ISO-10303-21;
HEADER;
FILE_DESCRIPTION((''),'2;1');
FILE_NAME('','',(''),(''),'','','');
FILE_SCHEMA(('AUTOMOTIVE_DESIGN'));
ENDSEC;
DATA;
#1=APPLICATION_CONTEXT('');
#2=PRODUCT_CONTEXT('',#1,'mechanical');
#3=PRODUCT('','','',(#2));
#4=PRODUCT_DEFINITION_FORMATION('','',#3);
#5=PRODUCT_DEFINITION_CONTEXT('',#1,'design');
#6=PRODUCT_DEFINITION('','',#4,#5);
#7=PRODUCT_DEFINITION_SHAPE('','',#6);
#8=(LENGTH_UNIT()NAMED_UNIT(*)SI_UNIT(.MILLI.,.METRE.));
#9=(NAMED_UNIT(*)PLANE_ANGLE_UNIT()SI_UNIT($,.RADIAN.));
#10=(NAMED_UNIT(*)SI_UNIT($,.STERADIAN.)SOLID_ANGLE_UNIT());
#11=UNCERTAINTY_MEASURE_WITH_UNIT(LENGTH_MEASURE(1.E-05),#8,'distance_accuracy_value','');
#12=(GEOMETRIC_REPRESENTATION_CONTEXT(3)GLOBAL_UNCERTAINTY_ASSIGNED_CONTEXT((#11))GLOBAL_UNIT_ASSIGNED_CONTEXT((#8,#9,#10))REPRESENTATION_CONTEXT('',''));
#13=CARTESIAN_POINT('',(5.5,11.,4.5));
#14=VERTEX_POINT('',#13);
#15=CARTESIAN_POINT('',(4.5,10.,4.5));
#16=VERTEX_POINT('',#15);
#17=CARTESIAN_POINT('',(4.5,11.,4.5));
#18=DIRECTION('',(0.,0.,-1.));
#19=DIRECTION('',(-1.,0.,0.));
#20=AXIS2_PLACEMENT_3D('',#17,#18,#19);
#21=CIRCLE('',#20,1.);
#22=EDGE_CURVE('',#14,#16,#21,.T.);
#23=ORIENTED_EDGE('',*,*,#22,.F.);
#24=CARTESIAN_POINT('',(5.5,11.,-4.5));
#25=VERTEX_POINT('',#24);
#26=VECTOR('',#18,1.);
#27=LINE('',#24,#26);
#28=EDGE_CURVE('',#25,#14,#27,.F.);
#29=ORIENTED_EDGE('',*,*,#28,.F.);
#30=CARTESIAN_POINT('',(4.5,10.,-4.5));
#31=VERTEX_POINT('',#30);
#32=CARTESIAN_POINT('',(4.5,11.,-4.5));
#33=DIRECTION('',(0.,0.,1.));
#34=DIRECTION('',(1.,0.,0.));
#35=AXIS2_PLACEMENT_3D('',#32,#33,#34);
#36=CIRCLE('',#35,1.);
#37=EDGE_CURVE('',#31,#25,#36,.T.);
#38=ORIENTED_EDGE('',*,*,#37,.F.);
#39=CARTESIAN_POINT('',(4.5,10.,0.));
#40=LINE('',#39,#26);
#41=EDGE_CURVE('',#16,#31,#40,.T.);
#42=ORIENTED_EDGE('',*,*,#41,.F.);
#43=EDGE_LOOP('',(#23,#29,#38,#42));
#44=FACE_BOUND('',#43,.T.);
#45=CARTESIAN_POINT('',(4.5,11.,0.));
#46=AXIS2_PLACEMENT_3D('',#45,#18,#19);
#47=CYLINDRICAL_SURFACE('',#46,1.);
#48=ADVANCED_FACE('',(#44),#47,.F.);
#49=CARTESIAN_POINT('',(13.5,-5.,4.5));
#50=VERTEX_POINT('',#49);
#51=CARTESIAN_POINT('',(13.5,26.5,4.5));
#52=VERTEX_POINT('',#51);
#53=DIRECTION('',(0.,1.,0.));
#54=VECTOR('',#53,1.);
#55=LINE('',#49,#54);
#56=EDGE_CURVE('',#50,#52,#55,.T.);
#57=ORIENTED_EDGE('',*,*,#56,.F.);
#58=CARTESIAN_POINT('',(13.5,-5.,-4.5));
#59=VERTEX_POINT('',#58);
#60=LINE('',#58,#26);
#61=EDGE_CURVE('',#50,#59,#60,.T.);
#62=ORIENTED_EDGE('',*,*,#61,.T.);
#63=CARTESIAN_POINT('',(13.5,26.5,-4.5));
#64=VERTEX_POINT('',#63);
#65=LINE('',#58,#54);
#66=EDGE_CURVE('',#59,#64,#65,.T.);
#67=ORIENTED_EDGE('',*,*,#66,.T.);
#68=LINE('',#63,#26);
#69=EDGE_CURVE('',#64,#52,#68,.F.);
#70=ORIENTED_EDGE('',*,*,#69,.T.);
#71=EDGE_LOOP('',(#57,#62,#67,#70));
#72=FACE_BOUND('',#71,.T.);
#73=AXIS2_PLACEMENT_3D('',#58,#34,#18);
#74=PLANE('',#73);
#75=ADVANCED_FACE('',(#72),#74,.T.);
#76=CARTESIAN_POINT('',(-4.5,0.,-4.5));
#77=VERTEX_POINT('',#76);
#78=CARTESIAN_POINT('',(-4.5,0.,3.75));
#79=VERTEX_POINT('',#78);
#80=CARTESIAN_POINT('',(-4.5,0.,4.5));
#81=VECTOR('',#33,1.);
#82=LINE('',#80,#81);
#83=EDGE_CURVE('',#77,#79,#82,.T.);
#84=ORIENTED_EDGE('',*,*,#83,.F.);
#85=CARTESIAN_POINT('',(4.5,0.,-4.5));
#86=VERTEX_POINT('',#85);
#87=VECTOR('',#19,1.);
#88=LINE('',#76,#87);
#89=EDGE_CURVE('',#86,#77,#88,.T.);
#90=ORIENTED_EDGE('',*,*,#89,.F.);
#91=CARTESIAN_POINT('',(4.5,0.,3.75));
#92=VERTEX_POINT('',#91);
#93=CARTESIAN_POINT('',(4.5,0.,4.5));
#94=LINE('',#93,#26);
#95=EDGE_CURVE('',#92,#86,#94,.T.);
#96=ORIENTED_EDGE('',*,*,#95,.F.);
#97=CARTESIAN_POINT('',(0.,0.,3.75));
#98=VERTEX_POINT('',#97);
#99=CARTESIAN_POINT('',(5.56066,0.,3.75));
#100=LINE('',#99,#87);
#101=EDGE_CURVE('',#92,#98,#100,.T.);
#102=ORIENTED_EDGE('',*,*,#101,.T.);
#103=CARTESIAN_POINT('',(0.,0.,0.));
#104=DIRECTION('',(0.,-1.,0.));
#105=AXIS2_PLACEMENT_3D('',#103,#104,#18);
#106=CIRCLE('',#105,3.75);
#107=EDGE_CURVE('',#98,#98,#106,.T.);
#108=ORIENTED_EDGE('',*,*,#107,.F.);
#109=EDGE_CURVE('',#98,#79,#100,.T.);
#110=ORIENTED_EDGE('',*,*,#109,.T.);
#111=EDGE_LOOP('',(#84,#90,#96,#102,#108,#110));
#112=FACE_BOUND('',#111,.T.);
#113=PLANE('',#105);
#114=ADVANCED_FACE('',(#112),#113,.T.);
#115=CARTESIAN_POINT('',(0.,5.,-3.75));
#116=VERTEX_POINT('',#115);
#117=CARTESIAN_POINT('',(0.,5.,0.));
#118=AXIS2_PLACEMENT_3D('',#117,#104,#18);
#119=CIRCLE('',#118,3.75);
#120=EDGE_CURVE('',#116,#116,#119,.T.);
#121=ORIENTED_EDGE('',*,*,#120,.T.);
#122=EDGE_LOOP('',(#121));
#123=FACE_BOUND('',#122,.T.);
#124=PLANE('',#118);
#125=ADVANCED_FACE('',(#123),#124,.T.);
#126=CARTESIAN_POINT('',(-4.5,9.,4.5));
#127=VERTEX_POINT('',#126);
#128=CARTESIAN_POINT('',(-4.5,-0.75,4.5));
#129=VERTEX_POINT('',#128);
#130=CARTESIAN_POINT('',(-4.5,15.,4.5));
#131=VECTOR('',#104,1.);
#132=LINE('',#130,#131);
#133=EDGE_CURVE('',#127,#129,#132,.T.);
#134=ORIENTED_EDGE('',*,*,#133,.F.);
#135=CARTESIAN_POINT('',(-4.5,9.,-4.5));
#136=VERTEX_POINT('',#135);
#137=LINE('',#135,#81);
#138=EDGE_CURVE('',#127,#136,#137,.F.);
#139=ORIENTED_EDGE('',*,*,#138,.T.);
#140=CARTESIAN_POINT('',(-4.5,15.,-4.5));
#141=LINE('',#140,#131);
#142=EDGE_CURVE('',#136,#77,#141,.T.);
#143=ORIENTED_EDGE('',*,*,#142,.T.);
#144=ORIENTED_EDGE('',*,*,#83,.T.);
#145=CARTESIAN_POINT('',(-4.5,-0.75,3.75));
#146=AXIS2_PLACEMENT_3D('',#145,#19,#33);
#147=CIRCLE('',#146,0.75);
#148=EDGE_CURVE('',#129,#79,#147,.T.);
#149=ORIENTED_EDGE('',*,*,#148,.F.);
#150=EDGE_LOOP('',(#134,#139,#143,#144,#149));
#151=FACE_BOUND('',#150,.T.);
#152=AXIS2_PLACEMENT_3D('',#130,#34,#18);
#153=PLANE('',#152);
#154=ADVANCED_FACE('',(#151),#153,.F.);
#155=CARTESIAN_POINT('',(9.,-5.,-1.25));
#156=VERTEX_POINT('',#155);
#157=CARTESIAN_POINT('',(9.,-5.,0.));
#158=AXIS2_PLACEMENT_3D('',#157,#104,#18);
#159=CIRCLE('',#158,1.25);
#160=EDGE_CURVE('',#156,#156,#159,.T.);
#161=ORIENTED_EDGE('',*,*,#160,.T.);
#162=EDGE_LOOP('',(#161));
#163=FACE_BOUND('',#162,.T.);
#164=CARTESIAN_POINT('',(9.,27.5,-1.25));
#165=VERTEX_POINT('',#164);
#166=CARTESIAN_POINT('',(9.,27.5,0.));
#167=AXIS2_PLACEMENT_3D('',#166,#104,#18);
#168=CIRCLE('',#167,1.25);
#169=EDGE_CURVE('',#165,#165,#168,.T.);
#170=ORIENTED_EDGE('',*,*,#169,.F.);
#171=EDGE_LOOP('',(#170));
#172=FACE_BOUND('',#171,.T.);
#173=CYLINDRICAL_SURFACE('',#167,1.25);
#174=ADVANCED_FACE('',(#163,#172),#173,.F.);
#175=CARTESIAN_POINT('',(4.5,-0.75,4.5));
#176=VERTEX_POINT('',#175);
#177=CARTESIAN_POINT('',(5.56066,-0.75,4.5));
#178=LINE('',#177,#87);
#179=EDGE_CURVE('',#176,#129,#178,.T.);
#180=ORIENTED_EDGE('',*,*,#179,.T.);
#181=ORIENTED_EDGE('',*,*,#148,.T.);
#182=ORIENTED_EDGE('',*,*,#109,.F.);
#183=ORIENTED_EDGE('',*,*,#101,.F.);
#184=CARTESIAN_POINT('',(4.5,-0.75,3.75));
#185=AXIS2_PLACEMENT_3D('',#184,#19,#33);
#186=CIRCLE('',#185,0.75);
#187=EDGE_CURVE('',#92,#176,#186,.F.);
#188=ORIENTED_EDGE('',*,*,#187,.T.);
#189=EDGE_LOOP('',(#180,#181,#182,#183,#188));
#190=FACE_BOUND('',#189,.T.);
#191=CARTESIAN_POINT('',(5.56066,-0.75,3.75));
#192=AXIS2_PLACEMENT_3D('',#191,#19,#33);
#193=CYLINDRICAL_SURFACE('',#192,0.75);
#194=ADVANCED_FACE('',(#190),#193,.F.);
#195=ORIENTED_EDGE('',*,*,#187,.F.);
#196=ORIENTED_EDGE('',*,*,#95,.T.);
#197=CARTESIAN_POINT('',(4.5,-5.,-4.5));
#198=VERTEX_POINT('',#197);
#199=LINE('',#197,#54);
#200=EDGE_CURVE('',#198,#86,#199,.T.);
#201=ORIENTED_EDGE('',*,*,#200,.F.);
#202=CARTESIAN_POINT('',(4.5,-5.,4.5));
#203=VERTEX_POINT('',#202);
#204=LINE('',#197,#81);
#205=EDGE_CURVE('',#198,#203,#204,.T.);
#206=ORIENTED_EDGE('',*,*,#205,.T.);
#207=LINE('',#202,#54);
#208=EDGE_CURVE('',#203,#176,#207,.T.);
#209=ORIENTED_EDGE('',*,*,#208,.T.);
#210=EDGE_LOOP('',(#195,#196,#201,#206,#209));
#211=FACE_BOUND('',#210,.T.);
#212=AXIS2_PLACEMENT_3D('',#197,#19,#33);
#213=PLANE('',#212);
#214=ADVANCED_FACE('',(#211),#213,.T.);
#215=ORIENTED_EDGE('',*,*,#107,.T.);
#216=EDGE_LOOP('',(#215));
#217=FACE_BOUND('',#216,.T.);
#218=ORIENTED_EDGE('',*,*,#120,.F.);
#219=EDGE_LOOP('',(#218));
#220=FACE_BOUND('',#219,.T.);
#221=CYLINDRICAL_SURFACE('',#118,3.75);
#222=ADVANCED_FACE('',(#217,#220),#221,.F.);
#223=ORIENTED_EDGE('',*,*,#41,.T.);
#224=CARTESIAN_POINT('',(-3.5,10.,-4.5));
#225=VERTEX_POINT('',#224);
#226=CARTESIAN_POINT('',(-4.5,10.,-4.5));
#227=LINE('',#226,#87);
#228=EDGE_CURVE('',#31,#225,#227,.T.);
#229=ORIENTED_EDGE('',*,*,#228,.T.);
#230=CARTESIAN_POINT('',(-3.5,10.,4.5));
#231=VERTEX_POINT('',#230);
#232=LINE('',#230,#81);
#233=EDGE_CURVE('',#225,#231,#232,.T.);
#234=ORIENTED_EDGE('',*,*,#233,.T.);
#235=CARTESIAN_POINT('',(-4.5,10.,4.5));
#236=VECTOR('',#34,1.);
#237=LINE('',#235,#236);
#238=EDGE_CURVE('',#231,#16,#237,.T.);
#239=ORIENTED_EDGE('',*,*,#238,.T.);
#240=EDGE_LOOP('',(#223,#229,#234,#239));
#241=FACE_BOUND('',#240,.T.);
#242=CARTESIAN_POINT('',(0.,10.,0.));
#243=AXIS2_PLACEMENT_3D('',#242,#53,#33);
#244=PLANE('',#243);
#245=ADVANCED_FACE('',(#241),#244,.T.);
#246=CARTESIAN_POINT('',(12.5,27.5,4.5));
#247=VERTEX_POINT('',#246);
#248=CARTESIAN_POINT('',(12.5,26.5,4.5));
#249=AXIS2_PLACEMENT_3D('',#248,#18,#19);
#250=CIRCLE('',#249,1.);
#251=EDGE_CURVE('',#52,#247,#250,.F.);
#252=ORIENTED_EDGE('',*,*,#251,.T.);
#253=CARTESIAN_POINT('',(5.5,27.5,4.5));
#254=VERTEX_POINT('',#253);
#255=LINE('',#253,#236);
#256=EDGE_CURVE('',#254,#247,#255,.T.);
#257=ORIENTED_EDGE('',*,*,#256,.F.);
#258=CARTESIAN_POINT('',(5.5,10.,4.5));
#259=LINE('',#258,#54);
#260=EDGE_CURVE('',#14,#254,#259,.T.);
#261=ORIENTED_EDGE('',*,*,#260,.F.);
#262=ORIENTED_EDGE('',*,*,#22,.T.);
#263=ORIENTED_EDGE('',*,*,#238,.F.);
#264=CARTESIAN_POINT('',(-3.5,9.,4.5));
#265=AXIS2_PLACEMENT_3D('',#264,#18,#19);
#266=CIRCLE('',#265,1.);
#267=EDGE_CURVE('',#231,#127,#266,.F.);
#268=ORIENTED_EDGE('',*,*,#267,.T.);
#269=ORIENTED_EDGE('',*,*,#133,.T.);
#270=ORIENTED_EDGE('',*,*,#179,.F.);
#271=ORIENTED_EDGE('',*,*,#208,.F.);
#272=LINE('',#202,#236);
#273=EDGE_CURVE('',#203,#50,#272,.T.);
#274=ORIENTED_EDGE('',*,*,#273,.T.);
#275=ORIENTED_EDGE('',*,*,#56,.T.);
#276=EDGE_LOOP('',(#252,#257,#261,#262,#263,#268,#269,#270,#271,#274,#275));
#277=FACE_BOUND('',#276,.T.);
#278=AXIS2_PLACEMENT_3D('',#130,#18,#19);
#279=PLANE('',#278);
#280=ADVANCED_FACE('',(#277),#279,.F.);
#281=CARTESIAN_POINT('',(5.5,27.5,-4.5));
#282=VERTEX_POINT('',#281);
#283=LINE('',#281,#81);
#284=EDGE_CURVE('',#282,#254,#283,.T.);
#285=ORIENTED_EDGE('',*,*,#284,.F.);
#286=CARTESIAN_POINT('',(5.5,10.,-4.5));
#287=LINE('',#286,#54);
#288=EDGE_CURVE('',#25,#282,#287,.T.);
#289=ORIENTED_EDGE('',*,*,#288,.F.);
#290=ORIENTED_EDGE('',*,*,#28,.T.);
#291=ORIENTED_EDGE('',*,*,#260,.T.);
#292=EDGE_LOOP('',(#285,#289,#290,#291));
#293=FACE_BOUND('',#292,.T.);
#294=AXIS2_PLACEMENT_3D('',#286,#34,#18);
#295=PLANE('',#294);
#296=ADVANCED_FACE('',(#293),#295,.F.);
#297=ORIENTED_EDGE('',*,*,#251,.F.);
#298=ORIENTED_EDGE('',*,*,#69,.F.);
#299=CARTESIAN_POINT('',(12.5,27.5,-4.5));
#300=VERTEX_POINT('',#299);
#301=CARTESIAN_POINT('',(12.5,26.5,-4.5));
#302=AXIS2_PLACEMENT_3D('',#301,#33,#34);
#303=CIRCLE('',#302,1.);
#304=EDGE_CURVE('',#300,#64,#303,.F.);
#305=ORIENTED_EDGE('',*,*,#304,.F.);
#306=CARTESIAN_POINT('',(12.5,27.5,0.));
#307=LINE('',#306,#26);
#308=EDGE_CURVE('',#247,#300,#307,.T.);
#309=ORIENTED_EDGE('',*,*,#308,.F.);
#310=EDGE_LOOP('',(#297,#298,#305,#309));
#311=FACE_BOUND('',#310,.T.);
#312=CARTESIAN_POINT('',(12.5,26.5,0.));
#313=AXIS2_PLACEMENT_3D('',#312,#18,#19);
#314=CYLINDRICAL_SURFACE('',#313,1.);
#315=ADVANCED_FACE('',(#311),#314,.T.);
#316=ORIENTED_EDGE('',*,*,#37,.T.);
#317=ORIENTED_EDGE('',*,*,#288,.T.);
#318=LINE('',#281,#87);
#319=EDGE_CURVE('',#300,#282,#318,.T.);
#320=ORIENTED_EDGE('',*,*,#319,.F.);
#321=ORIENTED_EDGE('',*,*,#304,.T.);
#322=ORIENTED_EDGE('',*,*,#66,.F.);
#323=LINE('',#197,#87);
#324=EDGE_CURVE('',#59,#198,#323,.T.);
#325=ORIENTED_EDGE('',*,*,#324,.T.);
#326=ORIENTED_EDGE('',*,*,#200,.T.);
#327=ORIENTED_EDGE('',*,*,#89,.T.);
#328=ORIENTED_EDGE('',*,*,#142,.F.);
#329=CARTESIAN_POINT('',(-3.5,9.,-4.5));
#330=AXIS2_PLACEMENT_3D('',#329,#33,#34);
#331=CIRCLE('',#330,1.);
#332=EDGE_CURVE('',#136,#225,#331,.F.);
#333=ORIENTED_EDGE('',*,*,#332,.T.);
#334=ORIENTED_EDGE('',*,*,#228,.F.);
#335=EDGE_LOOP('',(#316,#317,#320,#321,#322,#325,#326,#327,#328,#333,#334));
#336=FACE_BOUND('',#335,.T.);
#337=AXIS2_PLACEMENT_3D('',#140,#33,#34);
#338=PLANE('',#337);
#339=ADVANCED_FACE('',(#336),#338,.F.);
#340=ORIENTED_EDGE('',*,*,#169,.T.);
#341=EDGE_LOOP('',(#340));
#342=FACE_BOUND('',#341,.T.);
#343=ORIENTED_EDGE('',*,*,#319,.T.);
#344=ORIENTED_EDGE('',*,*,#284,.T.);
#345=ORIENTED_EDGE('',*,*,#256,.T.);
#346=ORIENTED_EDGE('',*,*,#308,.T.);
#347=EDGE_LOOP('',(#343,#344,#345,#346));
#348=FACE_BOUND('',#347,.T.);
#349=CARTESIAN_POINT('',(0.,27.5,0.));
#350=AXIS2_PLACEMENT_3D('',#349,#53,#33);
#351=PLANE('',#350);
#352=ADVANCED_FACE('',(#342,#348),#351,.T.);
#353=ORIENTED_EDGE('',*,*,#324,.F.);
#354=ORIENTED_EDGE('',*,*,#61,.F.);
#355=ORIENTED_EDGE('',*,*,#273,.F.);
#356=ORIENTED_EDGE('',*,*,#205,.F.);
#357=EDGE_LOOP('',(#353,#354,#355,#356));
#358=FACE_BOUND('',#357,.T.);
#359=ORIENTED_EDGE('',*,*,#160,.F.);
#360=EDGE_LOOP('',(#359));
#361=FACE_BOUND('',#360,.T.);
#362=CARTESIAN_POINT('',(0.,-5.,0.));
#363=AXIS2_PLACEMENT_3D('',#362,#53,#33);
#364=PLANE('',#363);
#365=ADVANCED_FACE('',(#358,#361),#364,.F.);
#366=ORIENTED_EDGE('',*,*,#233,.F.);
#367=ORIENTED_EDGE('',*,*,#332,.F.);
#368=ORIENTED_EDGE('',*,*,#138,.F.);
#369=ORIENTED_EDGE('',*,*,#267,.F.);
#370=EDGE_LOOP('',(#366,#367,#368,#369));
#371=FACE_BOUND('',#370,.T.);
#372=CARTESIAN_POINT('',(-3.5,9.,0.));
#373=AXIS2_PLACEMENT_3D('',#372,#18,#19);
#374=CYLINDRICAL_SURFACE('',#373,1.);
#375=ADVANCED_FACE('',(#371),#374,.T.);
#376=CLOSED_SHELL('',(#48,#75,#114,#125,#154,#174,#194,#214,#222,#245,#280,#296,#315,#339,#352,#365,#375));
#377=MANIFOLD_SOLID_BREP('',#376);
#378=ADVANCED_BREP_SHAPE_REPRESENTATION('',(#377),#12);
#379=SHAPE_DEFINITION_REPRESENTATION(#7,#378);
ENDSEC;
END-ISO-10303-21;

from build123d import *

# Parameters (mm, degrees)
SKETCH1_W           = 9
SKETCH1_H           = 9
BOSS_EXTRUDE1_DEPTH = 15
SKETCH2_R           = 3.75
CUT_EXTRUDE1_DEPTH  = 5
SKETCH3_W           = 9
SKETCH3_H           = 9
BOSS_EXTRUDE2_DEPTH = 20
BOSS_EXTRUDE3_REACH = 25.859
SKETCH6_W           = 10
SKETCH6_H           = 9
CUT_EXTRUDE3_DEPTH  = 5
FILLET2_R           = 1
SKETCH7_W           = 8
SKETCH7_H           = 9
BOSS_EXTRUDE4_DEPTH = 12.5
SKETCH4_R           = 1.25
CUT_EXTRUDE2_DEPTH  = 36.478866949
FILLET3_R           = 1


with BuildPart() as part:
    # Sketch1 → Boss-Extrude1 (new body)
    with BuildSketch(Plane(origin=(0, 0, 0), x_dir=(1, 0, 0), z_dir=(0, 1, 0))):
        Rectangle(SKETCH1_W, SKETCH1_H)
    extrude(amount=BOSS_EXTRUDE1_DEPTH)

    # Sketch2 → Cut-Extrude1 (cut)
    with BuildSketch(Plane.XZ):
        with Locations(Location((0, 0, 0), (0, 0, 270))):
            Circle(SKETCH2_R)
    extrude(amount=-CUT_EXTRUDE1_DEPTH, mode=Mode.SUBTRACT)

    # Sketch3 → Boss-Extrude2 (add)
    with BuildSketch(Plane(origin=(0, 15, 0), x_dir=(1, 0, 0), z_dir=(0, 1, 0))):
        with Locations((9, 0)):
            Rectangle(SKETCH3_W, SKETCH3_H)
    extrude(amount=-BOSS_EXTRUDE2_DEPTH)

    # Boss-Extrude3: up to this face of the body (flat: up to its plane)
    boss_extrude3_end = Plane(part.part.faces().sort_by_distance((4.5, -2.5, 0))[0])
    # Sketch5 → Boss-Extrude3 (add, up to the picked face)
    with BuildSketch(Plane.ZY.offset(4.5), mode=Mode.PRIVATE) as boss_extrude3_sk1:
        with BuildLine():
            Line((4.5, -0.75), (4.5, 0))
            Line((4.5, 0), (3.75, 0))
            ThreePointArc((3.75, 0), (4.280330086, -0.219669914), (4.5, -0.75))
        make_face()
    boss_extrude3_tool1 = split(extrude(boss_extrude3_sk1.sketch, amount=-BOSS_EXTRUDE3_REACH, mode=Mode.PRIVATE), bisect_by=boss_extrude3_end, keep=Keep.BOTH, mode=Mode.PRIVATE)
    add(boss_extrude3_tool1.solids().sort_by(Axis((-4.5, -0.167526, 4.332474), (1, 0, 0)))[0])

    # Sketch6 → Cut-Extrude3 (cut)
    with BuildSketch(Plane(origin=(0, 15, 0), x_dir=(1, 0, 0), z_dir=(0, 1, 0))):
        with Locations((0.5, 0)):
            Rectangle(SKETCH6_W, SKETCH6_H)
    extrude(amount=-CUT_EXTRUDE3_DEPTH, mode=Mode.SUBTRACT)

    # Fillet2
    fillet2_edges = [part.edges().sort_by_distance(p)[0] for p in [
        (-4.5, 10, 0),
        (5.5, 10, 0),
    ]]
    fillet(fillet2_edges, radius=FILLET2_R)

    # Sketch7 → Boss-Extrude4 (add)
    with BuildSketch(Plane(origin=(0, 15, 0), x_dir=(1, 0, 0), z_dir=(0, 1, 0))):
        with Locations((9.5, 0)):
            Rectangle(SKETCH7_W, SKETCH7_H)
    extrude(amount=BOSS_EXTRUDE4_DEPTH)

    # Sketch4 → Cut-Extrude2 (cut, through all)
    with BuildSketch(Plane.XZ.offset(5)):
        with Locations(Location((9, 0, 0), (0, 0, 270))):
            Circle(SKETCH4_R)
    extrude(amount=-CUT_EXTRUDE2_DEPTH, mode=Mode.SUBTRACT)

    # Fillet3
    fillet3_edges = [part.edges().sort_by_distance(p)[0] for p in [
        (13.5, 27.5, 0),
    ]]
    fillet(fillet3_edges, radius=FILLET3_R)


solid = part.part
